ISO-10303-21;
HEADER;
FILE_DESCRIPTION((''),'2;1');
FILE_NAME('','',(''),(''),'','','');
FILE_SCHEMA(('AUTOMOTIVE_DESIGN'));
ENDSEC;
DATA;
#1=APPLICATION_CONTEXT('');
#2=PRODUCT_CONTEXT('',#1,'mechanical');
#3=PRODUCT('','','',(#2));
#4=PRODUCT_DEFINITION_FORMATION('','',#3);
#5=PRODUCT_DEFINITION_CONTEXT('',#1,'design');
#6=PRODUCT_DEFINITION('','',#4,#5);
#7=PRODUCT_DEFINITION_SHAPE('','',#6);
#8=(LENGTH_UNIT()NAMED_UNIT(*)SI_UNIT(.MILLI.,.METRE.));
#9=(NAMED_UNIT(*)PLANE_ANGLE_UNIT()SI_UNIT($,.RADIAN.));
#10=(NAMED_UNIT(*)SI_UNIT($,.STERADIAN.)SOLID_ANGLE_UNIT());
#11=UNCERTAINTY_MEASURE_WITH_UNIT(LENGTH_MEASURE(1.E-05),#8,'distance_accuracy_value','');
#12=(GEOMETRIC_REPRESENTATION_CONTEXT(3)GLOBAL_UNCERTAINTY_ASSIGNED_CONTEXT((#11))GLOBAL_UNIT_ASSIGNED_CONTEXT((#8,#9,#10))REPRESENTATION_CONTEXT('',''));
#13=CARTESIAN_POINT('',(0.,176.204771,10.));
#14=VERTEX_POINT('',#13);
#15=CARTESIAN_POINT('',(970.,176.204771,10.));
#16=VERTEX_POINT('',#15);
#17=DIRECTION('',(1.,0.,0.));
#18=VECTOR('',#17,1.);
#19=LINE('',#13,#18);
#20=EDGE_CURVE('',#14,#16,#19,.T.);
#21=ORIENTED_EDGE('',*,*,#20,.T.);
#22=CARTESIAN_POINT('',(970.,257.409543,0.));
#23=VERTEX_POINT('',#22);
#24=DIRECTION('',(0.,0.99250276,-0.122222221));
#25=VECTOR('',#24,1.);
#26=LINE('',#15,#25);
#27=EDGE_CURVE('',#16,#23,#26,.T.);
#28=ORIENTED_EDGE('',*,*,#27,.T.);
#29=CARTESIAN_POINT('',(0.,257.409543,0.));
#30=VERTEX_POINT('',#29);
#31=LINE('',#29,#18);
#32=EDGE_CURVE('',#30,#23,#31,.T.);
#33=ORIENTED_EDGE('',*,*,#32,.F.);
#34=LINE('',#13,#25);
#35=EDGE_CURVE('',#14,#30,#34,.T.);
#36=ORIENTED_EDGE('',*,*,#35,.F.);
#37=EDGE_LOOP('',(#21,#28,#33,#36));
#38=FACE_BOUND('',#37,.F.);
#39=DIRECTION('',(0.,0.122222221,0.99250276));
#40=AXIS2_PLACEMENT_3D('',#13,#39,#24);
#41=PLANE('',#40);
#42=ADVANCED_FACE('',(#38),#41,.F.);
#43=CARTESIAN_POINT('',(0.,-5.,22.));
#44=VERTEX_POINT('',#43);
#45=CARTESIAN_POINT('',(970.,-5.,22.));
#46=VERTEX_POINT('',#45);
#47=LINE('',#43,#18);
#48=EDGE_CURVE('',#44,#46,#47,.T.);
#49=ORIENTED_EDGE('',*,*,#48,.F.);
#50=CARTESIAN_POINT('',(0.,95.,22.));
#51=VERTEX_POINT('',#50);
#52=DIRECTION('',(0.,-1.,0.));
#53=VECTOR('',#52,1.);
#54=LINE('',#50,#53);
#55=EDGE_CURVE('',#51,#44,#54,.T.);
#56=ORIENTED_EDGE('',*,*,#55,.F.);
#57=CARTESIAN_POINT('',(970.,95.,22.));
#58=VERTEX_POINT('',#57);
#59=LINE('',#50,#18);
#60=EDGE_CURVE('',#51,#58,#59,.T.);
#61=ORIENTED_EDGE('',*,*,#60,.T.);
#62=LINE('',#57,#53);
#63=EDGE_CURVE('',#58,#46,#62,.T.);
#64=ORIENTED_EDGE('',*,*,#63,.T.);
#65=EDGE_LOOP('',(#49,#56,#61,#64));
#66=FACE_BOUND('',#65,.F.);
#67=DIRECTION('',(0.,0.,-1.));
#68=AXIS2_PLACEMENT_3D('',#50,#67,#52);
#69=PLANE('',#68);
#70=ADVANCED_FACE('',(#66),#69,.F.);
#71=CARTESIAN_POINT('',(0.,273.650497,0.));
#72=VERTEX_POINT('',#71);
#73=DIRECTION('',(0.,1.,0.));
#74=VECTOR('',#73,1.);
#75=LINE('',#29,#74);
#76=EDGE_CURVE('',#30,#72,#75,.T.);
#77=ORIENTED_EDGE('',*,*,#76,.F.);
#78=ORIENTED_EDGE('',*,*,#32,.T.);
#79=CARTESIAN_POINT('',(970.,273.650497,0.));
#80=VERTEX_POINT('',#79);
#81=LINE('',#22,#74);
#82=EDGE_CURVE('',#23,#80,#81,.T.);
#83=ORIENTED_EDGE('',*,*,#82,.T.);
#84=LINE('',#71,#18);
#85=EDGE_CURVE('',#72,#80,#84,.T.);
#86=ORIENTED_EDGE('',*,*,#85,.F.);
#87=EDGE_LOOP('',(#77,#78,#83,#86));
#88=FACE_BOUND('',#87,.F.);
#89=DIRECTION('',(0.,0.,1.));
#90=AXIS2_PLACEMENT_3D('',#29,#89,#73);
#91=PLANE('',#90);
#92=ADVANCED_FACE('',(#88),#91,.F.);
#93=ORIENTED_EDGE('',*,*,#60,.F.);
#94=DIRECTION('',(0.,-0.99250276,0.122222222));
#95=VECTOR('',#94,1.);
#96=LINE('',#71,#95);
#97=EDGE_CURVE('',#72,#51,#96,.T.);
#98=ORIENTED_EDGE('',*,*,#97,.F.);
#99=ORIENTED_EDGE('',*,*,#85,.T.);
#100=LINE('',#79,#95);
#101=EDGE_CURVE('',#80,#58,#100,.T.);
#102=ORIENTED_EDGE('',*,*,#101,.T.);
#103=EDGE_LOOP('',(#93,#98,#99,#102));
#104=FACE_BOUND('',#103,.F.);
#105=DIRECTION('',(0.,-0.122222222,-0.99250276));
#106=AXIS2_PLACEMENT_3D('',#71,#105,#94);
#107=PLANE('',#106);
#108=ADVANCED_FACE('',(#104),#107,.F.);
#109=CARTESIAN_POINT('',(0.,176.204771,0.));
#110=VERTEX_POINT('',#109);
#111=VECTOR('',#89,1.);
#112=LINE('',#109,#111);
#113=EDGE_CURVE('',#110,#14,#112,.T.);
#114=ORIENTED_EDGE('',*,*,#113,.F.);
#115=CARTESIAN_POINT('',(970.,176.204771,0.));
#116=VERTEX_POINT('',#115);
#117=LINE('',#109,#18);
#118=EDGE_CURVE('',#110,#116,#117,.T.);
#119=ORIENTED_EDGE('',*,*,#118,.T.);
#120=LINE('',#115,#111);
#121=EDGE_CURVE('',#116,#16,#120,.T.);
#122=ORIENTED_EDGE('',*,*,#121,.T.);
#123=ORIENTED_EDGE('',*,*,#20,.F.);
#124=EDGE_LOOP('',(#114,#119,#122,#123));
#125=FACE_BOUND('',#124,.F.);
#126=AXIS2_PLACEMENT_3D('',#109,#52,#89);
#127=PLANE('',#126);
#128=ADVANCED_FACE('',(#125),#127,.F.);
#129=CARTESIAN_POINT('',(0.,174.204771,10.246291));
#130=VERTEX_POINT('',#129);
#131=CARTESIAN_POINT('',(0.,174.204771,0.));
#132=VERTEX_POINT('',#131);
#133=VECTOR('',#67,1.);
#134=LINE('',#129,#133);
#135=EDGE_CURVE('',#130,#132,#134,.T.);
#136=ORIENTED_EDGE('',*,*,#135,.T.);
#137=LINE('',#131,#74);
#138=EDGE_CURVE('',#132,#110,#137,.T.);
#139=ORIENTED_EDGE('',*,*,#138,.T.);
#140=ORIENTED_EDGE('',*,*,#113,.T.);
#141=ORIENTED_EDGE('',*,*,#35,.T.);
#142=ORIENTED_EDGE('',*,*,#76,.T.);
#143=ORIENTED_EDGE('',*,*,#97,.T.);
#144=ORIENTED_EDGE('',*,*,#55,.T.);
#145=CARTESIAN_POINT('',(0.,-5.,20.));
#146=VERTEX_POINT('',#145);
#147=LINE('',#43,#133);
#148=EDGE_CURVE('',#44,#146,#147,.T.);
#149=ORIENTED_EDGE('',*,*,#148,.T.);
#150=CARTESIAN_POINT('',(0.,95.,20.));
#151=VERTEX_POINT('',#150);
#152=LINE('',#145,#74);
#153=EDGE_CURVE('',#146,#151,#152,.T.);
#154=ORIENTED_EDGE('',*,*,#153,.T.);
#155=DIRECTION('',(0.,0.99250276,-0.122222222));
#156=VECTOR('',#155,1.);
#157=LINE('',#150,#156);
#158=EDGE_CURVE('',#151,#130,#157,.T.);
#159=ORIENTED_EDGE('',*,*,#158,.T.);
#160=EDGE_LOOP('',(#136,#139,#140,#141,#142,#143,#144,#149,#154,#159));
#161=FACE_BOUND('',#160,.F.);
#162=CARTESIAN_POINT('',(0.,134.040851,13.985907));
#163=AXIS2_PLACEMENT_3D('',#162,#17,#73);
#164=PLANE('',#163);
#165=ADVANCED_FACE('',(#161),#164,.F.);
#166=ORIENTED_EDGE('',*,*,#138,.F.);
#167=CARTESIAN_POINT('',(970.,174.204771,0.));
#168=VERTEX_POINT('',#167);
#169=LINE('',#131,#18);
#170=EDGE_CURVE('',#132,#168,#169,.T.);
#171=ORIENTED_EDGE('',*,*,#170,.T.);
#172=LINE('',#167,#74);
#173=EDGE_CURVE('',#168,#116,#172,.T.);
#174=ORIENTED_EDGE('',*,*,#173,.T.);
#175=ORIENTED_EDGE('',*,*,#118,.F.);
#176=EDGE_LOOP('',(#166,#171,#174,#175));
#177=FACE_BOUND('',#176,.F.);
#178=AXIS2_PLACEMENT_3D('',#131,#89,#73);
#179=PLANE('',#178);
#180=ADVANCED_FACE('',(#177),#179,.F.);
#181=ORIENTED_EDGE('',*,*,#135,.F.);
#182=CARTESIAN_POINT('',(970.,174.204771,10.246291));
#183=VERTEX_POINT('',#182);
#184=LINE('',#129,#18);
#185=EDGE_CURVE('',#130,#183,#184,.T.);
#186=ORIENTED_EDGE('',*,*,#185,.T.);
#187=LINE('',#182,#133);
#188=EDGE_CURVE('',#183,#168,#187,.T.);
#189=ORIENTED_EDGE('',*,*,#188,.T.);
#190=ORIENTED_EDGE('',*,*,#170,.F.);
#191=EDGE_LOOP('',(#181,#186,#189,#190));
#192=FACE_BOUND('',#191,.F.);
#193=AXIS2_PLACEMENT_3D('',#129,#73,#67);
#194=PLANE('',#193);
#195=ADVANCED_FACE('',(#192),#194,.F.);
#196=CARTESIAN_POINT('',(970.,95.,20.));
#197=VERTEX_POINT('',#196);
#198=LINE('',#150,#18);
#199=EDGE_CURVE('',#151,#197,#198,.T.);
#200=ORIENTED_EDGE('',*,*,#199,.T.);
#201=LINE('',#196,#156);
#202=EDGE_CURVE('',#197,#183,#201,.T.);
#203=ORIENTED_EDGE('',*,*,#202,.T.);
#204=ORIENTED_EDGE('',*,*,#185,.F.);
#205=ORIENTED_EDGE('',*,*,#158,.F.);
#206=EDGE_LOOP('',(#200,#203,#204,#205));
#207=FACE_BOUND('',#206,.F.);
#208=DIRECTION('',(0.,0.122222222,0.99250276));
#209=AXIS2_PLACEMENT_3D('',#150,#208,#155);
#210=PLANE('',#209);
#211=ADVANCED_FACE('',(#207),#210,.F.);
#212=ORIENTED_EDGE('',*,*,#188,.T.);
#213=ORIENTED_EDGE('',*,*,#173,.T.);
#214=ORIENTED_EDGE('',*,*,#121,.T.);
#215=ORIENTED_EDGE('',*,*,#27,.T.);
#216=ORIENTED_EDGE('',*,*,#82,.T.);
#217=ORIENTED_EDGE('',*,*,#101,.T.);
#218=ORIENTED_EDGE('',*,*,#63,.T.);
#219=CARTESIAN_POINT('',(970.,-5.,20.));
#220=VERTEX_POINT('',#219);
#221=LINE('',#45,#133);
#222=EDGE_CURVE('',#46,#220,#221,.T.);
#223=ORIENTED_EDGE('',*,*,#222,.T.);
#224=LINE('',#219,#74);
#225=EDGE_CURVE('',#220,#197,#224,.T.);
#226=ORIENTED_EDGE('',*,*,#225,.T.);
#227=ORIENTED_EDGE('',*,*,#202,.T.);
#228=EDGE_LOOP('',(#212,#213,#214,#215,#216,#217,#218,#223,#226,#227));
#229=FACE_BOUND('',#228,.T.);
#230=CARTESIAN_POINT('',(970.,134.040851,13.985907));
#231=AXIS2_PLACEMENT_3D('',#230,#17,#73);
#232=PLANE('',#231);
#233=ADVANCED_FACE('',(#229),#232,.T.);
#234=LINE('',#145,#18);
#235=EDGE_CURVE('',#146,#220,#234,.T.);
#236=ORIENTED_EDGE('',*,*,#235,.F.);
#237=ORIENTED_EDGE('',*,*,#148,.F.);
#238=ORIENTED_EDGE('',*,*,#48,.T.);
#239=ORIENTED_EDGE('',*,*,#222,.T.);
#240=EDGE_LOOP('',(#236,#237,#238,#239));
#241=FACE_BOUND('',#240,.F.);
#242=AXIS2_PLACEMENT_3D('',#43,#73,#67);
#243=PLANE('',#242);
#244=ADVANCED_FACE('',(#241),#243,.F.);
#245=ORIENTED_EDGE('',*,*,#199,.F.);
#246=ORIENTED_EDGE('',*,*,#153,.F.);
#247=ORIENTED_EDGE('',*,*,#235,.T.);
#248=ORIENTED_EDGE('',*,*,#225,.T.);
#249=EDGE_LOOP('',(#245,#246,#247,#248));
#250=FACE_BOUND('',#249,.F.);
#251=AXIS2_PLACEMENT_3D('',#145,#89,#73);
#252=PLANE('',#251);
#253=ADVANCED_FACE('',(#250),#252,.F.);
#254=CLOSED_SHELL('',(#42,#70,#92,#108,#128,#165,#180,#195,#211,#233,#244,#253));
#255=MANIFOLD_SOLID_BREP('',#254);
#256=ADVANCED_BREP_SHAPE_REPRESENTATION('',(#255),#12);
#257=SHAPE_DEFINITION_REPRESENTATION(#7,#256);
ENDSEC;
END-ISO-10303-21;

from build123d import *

# Parameters (mm, degrees)
F1_DEPTH = 970
F2_W     = 35
F2_H     = 30
F3_DEPTH = 2.3
F4_W     = 2.4
F4_H     = 1
F5_DEPTH = 30.001
F7_DEPTH = 970


with BuildPart() as f1:
    # F0 (on Right) → F1 (new body)
    with BuildSketch(Plane.YZ):
        Polygon((0, 20), (0, 0), (2.3, 0), (2.3, 17.7), (27.7, 17.7), (27.7, 0), (30, 0), (30, 20), align=None)
    extrude(amount=F1_DEPTH)

    # F2 (on face) → F3 (cut)
    with BuildSketch(Plane.XY.offset(20)):
        with Locations((17.5, 15)):
            Rectangle(F2_W, F2_H)
        with Locations((952.5, 15)):
            Rectangle(F2_W, F2_H)
    extrude(amount=-F3_DEPTH, mode=Mode.SUBTRACT)

    # F4 (on face) → F5 (cut, through all)
    with BuildSketch(Plane.XZ):
        with Locations((33.8, 0.5)):
            Rectangle(F4_W, F4_H)
        with Locations((6.2, 0.5)):
            Rectangle(F4_W, F4_H)
        with Locations((936.2, 0.5)):
            Rectangle(F4_W, F4_H)
        with Locations((963.8, 0.5)):
            Rectangle(F4_W, F4_H)
    extrude(amount=-F5_DEPTH, mode=Mode.SUBTRACT)


with BuildPart() as f7:
    # F6 (on Right) → F7 (new body)
    with BuildSketch(Plane.YZ):
        Polygon((-5, 20), (95, 20), (174.204771, 10.246291), (176.204771, 10), (257.409543, 0), (273.650497, 0), (95, 22), (-5, 22), align=None)
        Polygon((176.204771, 10), (174.204771, 10.246291), (174.204771, 0), (176.204771, 0), align=None)
    extrude(amount=F7_DEPTH)


solid = f7.part
